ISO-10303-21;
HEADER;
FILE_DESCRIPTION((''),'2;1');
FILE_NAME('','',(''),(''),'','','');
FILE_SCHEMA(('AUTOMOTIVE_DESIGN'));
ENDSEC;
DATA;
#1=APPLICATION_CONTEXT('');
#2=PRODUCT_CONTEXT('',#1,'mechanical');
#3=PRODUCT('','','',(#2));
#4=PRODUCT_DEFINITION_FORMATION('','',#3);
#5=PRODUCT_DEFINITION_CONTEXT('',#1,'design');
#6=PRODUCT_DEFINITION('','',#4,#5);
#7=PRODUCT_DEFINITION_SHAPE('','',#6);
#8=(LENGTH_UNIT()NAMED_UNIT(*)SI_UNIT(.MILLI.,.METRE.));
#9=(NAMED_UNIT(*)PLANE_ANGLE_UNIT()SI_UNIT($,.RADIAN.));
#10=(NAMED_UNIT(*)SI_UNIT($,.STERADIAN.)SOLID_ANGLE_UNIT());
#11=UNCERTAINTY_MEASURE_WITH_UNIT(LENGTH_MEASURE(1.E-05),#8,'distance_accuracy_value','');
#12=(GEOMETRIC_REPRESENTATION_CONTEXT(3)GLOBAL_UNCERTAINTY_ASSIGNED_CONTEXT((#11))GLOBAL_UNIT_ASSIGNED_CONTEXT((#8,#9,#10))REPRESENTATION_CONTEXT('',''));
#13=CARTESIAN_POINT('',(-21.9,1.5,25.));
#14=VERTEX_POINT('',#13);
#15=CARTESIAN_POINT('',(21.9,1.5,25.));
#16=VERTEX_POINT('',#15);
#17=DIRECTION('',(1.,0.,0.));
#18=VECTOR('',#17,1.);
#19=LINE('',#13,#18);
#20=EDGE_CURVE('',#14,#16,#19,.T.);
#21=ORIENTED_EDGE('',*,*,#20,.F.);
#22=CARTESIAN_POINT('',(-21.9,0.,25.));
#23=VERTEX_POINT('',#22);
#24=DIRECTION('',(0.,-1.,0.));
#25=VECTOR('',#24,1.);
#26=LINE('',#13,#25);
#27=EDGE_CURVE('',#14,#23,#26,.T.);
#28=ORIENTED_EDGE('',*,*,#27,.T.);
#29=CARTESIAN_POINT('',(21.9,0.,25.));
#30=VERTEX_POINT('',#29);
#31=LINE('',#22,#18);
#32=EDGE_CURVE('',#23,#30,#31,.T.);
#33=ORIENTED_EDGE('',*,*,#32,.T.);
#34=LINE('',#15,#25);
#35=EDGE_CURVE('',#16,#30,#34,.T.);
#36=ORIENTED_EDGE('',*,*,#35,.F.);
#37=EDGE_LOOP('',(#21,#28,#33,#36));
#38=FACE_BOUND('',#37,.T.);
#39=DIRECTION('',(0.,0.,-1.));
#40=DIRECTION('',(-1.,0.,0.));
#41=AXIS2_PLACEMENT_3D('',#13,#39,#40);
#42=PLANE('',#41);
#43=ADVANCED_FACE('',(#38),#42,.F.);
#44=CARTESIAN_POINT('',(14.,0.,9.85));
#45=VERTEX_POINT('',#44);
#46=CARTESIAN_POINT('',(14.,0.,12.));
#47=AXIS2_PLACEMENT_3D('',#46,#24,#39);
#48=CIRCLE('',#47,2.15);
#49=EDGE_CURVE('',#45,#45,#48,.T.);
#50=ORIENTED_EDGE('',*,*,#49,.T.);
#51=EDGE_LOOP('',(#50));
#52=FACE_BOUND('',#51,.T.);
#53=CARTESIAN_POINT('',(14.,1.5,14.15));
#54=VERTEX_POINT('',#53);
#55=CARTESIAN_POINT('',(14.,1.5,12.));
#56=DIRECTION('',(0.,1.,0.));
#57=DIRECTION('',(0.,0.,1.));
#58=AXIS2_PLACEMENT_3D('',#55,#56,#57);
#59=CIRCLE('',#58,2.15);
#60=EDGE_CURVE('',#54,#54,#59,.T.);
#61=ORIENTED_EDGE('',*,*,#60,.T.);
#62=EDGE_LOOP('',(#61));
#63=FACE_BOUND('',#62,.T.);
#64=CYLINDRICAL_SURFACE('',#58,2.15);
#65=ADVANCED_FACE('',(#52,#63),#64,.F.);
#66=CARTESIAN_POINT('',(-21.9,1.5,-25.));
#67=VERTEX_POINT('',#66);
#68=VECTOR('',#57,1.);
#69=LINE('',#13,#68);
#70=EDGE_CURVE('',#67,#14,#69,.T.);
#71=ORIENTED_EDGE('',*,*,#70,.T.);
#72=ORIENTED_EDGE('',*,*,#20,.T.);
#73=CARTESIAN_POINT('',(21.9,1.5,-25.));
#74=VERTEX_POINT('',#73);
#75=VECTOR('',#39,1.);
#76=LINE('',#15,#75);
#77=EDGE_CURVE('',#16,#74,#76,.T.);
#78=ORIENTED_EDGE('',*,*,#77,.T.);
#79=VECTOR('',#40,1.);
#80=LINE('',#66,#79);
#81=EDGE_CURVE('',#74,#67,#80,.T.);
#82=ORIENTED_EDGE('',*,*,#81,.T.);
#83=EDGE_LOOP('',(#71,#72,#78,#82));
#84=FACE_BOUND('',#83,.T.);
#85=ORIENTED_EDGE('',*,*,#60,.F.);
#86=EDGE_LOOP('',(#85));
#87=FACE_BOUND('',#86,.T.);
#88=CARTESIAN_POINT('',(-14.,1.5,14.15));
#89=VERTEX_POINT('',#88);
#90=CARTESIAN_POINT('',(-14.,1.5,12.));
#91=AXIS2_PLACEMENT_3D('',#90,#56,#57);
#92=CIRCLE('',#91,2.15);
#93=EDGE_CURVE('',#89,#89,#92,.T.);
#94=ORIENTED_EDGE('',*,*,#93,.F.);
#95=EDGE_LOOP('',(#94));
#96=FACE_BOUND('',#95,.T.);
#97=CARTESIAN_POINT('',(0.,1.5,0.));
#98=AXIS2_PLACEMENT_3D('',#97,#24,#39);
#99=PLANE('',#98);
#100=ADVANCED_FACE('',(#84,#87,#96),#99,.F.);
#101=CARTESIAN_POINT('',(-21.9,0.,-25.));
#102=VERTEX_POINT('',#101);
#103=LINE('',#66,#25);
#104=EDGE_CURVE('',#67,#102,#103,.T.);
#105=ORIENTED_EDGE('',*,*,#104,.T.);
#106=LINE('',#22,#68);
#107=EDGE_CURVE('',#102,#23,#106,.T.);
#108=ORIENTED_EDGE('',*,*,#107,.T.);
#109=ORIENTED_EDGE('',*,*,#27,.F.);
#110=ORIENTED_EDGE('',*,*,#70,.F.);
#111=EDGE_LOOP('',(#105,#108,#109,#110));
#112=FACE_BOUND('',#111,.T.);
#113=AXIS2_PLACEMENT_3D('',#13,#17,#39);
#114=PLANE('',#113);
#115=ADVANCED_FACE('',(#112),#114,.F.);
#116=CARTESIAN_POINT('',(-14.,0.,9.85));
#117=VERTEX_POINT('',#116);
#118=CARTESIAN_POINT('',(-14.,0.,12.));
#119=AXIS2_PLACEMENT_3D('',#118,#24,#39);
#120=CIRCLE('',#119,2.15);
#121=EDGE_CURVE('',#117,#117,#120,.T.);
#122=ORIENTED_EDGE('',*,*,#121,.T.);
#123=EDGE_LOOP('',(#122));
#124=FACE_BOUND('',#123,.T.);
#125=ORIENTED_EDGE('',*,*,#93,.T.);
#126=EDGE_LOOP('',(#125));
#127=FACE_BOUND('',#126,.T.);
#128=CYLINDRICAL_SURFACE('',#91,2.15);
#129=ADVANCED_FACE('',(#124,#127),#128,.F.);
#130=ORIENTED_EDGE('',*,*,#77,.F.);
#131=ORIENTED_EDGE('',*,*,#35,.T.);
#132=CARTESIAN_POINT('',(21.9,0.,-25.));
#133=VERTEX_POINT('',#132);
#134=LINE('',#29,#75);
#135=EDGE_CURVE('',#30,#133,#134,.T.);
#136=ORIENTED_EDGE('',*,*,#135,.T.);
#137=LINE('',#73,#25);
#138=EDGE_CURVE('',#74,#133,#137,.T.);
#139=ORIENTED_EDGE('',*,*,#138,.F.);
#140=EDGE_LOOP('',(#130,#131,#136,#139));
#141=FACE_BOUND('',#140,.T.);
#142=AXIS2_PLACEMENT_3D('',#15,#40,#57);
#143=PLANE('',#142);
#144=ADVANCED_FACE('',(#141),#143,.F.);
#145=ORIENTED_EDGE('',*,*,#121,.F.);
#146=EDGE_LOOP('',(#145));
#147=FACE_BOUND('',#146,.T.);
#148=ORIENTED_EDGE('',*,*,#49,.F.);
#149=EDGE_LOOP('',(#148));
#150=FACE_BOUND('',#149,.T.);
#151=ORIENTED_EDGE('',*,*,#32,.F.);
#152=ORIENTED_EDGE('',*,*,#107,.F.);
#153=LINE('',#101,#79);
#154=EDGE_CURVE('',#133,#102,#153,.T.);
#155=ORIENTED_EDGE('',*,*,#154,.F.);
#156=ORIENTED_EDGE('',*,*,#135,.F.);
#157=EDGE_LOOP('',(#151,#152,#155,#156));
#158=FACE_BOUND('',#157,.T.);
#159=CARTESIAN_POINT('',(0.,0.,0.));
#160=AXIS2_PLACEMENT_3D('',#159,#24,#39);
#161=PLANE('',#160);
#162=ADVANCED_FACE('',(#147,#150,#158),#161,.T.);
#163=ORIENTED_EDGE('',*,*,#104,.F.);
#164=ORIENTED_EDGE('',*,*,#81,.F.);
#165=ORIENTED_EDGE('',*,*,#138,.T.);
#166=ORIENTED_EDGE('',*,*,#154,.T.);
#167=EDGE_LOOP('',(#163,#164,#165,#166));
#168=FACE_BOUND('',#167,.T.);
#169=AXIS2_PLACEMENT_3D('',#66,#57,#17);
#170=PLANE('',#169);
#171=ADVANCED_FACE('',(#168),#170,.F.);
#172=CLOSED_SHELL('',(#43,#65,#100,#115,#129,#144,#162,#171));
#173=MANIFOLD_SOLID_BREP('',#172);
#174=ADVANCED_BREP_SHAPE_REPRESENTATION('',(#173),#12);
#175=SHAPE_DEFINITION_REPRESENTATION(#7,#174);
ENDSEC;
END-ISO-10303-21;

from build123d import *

# Parameters (mm, degrees)
SKETCH_1_W             = 43.8
SKETCH_1_H             = 50
EXTRUDE_1_DEPTH        = 1.5
HOLE_WIZARD_M4_1_D     = 4.3
HOLE_WIZARD_M4_1_DEPTH = 2
HOLE_WIZARD_M4_1_TIP   = 1.291850331


with BuildPart() as part:
    # 草图1 → 凸台-拉伸1 (new body)
    with BuildSketch(Plane(origin=(0, 0, 0), x_dir=(1, 0, 0), z_dir=(0, 1, 0))):
        Rectangle(SKETCH_1_W, SKETCH_1_H)
    extrude(amount=EXTRUDE_1_DEPTH)

    # M4 间隙孔1
    with Locations(Plane(origin=(0, 1.5, 0), x_dir=(1, 0, 0), z_dir=(0, 1, 0))):
        with Locations((-14, -12), (14, -12)):
            Hole(HOLE_WIZARD_M4_1_D / 2, depth=HOLE_WIZARD_M4_1_DEPTH)
            with Locations((0, 0, -(HOLE_WIZARD_M4_1_DEPTH + HOLE_WIZARD_M4_1_TIP / 2))):  # 118° drill point
                Cone(0, HOLE_WIZARD_M4_1_D / 2, HOLE_WIZARD_M4_1_TIP, mode=Mode.SUBTRACT)


solid = part.part
